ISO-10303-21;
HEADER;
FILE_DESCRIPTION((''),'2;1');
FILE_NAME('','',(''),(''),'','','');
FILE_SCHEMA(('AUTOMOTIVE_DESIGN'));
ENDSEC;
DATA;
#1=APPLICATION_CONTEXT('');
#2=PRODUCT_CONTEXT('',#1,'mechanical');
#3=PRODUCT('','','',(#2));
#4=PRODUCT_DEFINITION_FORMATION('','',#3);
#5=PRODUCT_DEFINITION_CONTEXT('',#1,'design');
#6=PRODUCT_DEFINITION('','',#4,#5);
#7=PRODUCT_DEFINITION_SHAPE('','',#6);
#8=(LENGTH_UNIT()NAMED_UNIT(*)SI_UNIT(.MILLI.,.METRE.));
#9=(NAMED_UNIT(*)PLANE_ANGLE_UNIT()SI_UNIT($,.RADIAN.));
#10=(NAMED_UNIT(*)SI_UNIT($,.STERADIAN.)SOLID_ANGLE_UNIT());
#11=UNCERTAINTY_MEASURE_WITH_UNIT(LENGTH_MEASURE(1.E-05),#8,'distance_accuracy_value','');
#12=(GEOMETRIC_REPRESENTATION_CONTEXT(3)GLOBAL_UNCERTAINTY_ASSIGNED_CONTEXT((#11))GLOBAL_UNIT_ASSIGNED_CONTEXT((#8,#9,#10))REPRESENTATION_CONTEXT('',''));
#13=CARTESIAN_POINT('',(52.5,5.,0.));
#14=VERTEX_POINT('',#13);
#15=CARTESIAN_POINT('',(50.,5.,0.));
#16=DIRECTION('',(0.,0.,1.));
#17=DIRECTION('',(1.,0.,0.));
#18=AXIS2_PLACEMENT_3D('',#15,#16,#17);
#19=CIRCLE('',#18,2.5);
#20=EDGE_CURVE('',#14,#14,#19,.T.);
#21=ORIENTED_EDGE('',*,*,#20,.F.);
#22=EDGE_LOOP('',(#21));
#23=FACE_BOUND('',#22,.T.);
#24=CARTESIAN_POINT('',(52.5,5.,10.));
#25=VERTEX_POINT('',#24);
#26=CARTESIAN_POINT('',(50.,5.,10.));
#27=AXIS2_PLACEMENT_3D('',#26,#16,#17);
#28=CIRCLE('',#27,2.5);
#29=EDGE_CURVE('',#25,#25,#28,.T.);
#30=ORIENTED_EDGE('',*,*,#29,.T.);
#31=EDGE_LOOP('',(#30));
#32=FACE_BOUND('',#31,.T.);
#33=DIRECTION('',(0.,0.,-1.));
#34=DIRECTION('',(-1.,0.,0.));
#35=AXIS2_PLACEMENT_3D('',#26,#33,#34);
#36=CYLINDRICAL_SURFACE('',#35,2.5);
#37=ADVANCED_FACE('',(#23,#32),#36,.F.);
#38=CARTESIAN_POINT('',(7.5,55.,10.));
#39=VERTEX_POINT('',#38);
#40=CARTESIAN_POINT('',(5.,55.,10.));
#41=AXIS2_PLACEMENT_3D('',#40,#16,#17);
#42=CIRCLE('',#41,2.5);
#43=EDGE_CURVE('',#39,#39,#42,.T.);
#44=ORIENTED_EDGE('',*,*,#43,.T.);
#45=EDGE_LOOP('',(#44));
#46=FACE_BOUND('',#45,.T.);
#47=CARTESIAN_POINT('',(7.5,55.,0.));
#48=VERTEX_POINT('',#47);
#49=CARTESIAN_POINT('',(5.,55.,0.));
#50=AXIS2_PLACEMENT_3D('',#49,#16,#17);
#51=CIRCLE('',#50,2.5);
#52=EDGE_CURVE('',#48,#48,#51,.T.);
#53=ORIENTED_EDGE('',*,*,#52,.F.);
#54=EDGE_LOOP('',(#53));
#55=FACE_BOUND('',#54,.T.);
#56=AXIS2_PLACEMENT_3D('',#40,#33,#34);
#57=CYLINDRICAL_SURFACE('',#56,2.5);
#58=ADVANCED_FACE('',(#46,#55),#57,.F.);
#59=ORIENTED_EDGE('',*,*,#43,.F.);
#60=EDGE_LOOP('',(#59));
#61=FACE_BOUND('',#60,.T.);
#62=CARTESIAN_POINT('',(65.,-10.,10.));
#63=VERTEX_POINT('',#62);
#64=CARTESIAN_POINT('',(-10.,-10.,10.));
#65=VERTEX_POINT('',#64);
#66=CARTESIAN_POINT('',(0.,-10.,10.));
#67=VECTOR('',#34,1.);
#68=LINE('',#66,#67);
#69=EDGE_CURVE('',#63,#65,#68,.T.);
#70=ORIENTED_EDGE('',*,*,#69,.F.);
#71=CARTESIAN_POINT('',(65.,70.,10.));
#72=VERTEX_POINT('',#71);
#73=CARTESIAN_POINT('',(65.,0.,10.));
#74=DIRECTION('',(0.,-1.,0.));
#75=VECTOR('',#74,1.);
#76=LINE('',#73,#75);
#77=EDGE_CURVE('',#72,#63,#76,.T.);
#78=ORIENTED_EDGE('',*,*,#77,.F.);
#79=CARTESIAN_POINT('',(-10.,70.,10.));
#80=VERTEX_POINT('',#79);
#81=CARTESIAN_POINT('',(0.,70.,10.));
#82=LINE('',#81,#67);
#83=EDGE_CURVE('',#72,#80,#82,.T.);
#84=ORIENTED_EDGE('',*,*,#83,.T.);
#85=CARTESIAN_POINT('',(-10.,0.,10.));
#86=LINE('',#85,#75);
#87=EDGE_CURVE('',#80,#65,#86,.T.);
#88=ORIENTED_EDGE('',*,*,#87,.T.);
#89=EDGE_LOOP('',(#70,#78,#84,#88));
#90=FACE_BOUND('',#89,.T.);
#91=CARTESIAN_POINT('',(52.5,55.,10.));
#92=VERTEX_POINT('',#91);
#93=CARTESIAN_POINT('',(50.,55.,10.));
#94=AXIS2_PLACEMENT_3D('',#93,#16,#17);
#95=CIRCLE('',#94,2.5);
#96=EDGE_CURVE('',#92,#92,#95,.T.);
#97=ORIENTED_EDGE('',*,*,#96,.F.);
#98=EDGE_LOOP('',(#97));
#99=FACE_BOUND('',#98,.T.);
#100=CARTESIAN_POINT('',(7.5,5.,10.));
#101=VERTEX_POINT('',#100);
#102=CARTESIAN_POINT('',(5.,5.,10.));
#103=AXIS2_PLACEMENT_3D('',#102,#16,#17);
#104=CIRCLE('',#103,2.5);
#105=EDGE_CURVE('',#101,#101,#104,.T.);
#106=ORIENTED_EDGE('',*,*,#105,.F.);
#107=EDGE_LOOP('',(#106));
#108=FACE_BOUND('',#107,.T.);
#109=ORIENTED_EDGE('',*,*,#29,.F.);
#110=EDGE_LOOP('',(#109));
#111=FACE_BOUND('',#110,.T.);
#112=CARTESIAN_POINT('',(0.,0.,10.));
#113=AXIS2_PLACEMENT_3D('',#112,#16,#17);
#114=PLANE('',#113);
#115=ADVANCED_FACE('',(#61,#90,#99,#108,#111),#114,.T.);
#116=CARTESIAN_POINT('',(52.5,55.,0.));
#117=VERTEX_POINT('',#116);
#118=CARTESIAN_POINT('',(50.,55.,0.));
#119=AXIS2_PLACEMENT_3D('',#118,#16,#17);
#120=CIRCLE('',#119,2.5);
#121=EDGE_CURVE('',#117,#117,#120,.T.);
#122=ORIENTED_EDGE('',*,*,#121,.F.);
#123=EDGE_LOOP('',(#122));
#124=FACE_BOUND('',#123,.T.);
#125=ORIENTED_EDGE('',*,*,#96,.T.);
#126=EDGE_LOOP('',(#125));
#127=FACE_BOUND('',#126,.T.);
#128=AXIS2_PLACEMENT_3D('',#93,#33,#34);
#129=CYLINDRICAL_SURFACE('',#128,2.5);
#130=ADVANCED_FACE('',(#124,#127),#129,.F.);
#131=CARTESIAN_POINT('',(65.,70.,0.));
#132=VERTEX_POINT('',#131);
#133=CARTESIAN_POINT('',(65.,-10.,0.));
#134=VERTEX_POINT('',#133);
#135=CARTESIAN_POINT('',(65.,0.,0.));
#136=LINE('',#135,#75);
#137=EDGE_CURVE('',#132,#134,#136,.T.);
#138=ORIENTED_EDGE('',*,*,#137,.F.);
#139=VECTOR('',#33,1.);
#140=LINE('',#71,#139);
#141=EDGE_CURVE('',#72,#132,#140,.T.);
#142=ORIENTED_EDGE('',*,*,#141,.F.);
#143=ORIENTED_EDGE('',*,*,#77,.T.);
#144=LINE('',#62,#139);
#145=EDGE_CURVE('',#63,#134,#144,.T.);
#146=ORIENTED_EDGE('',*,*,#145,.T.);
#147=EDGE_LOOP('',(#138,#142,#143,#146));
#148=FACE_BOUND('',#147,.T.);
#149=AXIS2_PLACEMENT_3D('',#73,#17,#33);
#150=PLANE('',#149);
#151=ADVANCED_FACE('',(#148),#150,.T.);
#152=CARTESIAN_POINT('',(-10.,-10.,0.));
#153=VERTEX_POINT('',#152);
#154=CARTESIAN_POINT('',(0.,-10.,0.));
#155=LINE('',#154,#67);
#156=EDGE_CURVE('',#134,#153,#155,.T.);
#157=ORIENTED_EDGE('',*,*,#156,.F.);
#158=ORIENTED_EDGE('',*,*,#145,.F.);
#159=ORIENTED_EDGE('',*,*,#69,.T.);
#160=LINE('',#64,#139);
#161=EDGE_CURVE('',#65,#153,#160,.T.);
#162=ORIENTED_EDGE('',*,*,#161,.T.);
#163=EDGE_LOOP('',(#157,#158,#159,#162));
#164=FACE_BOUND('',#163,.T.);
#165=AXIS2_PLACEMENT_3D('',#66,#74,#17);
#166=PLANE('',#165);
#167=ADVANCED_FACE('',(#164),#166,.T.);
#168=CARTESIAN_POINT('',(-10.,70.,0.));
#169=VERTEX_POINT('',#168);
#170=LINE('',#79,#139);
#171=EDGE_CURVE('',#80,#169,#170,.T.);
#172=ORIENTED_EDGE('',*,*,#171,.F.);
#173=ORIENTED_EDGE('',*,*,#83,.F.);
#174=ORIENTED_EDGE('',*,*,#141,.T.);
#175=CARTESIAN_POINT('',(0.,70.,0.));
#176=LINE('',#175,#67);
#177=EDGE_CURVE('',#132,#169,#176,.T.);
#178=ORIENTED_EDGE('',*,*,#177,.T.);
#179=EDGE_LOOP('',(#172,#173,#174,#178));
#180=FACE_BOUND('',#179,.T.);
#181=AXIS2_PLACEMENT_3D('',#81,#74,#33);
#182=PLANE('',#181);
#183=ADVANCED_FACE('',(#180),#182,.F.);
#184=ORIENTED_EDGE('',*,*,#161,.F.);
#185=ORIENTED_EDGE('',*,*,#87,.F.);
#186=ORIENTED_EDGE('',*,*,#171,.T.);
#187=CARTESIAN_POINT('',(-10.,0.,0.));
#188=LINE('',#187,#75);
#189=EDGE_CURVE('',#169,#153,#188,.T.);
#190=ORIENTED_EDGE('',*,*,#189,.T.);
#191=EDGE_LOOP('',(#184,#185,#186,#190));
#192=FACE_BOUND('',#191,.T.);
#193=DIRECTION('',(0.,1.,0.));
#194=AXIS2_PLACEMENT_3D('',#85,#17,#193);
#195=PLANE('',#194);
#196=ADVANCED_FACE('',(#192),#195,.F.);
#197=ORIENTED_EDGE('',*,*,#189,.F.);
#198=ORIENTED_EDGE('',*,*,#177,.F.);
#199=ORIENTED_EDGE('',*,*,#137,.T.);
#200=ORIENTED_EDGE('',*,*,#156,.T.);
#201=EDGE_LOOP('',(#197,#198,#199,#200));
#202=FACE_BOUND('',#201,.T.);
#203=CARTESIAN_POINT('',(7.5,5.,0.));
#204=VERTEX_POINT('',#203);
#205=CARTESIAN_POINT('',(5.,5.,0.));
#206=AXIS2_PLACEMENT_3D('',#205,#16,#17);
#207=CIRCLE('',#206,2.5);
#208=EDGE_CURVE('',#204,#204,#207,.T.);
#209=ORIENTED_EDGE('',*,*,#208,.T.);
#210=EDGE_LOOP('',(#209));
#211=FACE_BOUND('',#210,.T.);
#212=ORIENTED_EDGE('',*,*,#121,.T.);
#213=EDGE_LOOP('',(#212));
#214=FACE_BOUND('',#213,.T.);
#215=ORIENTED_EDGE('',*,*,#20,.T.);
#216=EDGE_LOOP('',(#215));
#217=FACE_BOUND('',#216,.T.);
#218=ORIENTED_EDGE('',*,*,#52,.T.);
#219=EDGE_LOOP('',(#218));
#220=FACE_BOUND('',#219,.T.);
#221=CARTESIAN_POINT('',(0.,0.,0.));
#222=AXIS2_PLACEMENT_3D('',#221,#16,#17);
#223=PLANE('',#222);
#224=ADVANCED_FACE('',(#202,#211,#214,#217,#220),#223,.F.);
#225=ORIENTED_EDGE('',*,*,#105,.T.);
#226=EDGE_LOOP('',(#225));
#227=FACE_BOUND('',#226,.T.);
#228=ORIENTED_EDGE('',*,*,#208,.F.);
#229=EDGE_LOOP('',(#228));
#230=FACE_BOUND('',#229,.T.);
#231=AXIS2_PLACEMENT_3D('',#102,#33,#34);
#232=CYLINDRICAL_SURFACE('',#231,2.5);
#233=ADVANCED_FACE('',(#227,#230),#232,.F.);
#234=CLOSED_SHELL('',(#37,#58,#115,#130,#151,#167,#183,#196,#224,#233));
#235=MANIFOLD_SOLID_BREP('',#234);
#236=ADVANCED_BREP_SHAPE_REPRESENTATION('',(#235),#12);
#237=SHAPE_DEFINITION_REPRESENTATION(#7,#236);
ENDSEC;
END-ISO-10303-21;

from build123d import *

# Parameters (mm, degrees)
SKETCH1_W           = 75
SKETCH1_H           = 80
SKETCH1_W_2         = 55
SKETCH1_H_2         = 60
SKETCH1_R           = 2.5
BOSS_EXTRUDE1_DEPTH = 10


with BuildPart() as part:
    # Sketch1 → Boss-Extrude1 (new body)
    with BuildSketch(Plane.XY):
        with Locations((27.5, 30)):
            Rectangle(SKETCH1_W, SKETCH1_H)
        with Locations((27.5, 30)):
            Rectangle(SKETCH1_W_2, SKETCH1_H_2, mode=Mode.SUBTRACT)
        with Locations((27.5, 30)):
            Rectangle(SKETCH1_W_2, SKETCH1_H_2)
        with Locations((50, 5)):
            Circle(SKETCH1_R, mode=Mode.SUBTRACT)
        with Locations((5, 5)):
            Circle(SKETCH1_R, mode=Mode.SUBTRACT)
        with Locations((5, 55)):
            Circle(SKETCH1_R, mode=Mode.SUBTRACT)
        with Locations((50, 55)):
            Circle(SKETCH1_R, mode=Mode.SUBTRACT)
    extrude(amount=BOSS_EXTRUDE1_DEPTH)


solid = part.part
